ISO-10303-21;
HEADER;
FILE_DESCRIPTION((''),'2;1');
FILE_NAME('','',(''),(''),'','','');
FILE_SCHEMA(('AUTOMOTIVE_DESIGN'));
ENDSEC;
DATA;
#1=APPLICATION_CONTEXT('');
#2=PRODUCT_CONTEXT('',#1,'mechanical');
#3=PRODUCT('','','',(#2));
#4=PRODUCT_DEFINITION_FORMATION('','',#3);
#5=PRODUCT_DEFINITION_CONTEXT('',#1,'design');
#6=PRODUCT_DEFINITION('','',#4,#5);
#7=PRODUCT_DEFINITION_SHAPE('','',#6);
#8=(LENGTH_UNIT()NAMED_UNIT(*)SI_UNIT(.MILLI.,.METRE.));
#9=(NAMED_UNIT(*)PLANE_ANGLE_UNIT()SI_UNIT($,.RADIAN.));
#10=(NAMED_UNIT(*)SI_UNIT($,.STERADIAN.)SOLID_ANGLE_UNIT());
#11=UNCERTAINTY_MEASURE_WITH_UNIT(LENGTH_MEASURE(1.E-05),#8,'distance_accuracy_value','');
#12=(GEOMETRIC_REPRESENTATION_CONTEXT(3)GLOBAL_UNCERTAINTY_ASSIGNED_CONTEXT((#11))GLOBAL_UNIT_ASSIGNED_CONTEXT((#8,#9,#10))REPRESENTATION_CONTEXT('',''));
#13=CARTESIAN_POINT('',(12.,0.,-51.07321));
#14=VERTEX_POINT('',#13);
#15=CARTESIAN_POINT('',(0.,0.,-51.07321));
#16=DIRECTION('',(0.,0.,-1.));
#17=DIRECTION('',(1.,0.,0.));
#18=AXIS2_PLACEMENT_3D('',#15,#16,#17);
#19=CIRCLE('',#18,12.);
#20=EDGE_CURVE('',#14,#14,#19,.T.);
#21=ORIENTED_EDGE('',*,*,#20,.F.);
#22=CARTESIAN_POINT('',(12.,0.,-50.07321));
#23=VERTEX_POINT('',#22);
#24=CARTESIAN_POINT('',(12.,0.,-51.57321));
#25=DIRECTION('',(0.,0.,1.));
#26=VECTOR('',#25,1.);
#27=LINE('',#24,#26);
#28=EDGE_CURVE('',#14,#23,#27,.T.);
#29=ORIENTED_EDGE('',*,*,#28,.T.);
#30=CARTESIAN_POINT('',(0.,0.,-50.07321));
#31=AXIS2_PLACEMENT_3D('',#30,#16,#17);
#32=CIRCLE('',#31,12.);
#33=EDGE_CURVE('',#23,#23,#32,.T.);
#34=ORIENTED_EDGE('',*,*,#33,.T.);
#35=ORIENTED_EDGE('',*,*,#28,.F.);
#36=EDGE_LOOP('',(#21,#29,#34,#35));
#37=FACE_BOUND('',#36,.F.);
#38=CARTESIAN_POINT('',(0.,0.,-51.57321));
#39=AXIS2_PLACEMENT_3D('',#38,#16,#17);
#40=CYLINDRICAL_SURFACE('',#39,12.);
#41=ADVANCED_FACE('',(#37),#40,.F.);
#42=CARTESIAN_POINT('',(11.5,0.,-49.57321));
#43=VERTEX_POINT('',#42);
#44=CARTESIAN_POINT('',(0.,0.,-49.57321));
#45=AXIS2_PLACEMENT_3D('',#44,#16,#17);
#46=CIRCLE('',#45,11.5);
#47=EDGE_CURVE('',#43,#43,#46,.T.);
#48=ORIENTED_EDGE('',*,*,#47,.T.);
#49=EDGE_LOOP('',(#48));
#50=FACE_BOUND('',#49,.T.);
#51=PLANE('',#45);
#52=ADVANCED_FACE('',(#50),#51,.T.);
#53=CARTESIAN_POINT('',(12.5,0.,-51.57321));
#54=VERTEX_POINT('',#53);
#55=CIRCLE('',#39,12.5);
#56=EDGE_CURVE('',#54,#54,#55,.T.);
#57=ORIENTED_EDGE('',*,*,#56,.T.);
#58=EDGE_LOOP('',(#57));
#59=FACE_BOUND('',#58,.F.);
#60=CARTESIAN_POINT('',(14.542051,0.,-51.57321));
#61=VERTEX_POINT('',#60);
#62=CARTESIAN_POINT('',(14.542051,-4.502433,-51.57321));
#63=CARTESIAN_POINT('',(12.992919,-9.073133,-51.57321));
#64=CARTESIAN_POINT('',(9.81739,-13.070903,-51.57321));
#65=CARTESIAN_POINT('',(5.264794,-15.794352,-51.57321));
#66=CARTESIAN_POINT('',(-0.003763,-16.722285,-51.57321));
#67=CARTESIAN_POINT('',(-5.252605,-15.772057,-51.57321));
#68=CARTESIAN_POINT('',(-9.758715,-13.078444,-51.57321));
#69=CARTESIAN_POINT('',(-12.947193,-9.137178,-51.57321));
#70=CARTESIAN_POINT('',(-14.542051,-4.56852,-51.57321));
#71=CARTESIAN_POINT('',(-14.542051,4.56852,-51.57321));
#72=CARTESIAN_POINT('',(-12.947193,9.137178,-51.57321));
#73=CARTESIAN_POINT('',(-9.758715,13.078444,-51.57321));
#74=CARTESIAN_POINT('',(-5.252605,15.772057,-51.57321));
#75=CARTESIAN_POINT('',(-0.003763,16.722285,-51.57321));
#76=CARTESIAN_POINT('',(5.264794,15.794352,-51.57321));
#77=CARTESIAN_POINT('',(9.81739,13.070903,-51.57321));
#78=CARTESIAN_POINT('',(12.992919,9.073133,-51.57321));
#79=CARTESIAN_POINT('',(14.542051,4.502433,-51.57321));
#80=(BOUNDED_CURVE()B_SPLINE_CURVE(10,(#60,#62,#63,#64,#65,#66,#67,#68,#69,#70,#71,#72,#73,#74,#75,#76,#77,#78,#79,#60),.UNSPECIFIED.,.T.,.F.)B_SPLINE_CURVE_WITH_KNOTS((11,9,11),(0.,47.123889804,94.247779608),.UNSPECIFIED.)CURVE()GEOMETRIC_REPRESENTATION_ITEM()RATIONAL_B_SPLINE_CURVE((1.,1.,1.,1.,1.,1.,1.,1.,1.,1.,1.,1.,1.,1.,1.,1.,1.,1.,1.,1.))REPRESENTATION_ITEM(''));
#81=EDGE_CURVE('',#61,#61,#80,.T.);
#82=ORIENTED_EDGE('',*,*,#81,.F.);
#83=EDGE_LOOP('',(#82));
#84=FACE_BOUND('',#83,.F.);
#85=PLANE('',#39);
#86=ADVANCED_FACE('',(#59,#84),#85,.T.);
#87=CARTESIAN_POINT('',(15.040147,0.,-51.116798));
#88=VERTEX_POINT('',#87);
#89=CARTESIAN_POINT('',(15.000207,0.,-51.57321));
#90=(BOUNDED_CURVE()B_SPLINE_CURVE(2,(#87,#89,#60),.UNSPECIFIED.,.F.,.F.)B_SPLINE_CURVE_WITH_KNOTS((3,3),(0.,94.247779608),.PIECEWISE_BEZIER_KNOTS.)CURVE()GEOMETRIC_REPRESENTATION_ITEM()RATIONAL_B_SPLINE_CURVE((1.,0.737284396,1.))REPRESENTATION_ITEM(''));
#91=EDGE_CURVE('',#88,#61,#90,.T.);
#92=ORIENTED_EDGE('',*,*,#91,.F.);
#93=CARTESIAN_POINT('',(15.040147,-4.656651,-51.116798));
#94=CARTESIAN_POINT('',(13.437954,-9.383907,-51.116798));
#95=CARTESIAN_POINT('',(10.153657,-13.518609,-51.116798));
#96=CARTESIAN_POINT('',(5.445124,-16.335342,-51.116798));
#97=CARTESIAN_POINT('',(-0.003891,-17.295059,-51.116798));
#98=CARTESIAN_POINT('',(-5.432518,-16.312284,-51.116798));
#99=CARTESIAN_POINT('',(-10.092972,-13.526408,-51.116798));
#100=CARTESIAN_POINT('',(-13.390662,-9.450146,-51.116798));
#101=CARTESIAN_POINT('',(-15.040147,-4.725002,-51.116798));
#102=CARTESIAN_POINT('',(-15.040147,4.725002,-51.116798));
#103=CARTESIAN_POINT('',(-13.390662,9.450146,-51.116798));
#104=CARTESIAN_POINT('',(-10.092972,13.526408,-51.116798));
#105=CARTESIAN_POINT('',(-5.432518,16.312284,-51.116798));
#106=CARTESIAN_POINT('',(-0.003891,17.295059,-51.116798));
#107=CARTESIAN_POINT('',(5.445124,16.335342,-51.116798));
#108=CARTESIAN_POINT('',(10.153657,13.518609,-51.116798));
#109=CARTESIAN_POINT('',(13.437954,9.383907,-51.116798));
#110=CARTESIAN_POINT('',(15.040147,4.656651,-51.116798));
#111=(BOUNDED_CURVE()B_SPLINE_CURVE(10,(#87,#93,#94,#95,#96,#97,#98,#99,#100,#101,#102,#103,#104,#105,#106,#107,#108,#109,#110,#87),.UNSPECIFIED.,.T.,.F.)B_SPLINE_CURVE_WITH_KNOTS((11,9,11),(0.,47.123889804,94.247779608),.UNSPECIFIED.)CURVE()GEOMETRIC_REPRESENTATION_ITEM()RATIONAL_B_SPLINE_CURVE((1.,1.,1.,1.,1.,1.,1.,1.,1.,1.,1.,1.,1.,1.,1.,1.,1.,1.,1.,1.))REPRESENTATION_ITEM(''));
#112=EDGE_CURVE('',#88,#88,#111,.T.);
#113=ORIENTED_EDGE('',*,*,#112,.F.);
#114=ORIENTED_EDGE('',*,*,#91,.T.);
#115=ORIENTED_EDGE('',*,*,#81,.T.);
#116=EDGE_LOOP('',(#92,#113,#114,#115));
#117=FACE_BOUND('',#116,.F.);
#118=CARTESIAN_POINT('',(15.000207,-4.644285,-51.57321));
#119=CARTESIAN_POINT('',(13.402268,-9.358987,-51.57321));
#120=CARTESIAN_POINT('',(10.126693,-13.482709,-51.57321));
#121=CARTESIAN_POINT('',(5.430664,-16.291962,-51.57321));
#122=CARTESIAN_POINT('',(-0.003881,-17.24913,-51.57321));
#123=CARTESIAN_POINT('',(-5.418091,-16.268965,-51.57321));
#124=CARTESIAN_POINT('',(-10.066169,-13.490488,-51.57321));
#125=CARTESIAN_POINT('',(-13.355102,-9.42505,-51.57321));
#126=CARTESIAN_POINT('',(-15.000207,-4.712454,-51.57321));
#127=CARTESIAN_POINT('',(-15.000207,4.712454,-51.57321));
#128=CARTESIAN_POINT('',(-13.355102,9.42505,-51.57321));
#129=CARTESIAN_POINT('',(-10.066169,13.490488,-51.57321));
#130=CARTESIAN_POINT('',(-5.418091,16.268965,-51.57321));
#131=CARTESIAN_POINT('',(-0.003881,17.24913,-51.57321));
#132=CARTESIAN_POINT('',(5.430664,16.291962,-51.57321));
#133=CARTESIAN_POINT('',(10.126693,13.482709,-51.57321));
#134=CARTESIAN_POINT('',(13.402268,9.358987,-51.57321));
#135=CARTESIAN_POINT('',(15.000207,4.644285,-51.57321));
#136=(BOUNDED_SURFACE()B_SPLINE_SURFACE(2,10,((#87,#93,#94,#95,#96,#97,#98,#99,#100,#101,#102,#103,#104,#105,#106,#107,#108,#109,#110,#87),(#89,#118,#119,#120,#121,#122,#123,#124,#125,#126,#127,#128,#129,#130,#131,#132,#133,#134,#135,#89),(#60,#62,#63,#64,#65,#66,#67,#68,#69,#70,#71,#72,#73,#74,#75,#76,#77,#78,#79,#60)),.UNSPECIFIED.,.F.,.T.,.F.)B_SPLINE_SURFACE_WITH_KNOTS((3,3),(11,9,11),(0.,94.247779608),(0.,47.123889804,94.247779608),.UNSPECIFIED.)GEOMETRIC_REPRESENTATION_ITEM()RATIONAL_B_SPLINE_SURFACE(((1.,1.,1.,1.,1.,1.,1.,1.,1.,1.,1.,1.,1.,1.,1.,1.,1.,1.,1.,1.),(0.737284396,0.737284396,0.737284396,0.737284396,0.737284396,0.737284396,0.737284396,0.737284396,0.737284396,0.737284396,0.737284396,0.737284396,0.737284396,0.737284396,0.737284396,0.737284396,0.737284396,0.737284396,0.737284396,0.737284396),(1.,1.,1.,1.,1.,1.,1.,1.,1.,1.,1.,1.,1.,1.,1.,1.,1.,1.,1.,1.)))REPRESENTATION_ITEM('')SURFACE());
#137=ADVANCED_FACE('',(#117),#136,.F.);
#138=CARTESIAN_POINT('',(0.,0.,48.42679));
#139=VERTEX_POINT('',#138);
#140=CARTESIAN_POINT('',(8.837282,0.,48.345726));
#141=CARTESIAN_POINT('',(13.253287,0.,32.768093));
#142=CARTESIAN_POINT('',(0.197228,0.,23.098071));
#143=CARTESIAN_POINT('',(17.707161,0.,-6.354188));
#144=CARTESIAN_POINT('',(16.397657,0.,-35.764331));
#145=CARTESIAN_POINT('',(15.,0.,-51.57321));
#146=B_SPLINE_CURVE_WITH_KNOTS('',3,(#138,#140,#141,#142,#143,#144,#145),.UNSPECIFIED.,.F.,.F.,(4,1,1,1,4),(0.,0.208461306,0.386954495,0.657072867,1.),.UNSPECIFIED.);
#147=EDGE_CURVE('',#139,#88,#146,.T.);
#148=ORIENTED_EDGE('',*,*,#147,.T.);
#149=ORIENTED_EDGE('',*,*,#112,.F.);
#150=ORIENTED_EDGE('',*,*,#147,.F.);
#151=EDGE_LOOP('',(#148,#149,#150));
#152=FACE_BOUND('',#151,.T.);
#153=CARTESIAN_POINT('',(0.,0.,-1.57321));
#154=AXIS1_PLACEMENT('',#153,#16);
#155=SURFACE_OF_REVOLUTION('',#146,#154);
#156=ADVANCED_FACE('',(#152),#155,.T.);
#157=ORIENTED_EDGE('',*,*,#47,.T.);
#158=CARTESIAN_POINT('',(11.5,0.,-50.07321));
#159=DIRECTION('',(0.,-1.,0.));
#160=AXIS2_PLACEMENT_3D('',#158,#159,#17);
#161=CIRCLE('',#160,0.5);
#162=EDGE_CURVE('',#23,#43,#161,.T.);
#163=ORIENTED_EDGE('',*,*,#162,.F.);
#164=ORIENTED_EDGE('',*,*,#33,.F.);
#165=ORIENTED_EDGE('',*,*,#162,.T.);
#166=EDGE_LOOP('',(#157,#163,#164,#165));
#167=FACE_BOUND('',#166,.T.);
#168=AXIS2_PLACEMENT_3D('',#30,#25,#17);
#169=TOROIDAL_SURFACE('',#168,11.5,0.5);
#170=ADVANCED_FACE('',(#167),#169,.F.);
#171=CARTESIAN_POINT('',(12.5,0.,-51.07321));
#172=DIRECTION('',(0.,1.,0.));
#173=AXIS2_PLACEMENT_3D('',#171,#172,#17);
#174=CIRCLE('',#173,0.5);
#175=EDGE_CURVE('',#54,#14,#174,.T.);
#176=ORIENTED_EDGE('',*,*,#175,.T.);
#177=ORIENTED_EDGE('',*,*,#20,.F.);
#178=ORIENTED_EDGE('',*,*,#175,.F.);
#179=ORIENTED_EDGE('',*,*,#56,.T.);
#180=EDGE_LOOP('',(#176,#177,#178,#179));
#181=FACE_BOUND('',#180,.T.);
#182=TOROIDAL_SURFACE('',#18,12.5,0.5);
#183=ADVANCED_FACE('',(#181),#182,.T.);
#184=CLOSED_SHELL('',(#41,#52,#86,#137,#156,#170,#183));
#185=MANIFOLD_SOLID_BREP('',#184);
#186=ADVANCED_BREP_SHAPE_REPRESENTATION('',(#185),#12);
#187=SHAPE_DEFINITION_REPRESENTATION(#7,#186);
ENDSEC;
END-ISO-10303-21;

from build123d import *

# Parameters (mm, degrees)
F2_R     = 12
F3_DEPTH = 2
F4_R     = 0.5


with BuildPart() as f1:
    # F0 (on Front) → F1 (revolve)
    with BuildSketch(Plane.XZ):
        with BuildLine():
            add(Edge.make_bspline(
                [(0, 48.4267899261), (8.8372823863, 48.345726062), (13.2532873128, 32.7680933043), (0.1972277692, 23.0980713052), (17.7071610435, -6.3541880505), (16.3976568985, -35.7643305687), (15, -51.5732100739)],
                knots=[0, 0, 0, 0, 0.2084613064, 0.3869544954, 0.6570728673, 1, 1, 1, 1], degree=3))
            Line((0, 48.4267899261), (0, -51.5732100739))
            Line((0, -51.5732100739), (15, -51.5732100739))
        make_face()
    revolve(axis=Axis((0, 0, -1.5732100739), (0, 0, -1)))

    # F2 (on face) → F3 (cut)
    with BuildSketch(Plane(origin=(0, 0, -51.5732100739), x_dir=(1, 0, 0), z_dir=(0, 0, -1))):
        Circle(F2_R)
    extrude(amount=-F3_DEPTH, mode=Mode.SUBTRACT)

    # F4
    f4_edges = [f1.edges().sort_by_distance(p)[0] for p in [
        (-12, 0, -51.57321),
        (-15, 0, -51.57321),
        (-12, 0, -49.57321),
    ]]
    fillet(f4_edges, radius=F4_R)


solid = f1.part
